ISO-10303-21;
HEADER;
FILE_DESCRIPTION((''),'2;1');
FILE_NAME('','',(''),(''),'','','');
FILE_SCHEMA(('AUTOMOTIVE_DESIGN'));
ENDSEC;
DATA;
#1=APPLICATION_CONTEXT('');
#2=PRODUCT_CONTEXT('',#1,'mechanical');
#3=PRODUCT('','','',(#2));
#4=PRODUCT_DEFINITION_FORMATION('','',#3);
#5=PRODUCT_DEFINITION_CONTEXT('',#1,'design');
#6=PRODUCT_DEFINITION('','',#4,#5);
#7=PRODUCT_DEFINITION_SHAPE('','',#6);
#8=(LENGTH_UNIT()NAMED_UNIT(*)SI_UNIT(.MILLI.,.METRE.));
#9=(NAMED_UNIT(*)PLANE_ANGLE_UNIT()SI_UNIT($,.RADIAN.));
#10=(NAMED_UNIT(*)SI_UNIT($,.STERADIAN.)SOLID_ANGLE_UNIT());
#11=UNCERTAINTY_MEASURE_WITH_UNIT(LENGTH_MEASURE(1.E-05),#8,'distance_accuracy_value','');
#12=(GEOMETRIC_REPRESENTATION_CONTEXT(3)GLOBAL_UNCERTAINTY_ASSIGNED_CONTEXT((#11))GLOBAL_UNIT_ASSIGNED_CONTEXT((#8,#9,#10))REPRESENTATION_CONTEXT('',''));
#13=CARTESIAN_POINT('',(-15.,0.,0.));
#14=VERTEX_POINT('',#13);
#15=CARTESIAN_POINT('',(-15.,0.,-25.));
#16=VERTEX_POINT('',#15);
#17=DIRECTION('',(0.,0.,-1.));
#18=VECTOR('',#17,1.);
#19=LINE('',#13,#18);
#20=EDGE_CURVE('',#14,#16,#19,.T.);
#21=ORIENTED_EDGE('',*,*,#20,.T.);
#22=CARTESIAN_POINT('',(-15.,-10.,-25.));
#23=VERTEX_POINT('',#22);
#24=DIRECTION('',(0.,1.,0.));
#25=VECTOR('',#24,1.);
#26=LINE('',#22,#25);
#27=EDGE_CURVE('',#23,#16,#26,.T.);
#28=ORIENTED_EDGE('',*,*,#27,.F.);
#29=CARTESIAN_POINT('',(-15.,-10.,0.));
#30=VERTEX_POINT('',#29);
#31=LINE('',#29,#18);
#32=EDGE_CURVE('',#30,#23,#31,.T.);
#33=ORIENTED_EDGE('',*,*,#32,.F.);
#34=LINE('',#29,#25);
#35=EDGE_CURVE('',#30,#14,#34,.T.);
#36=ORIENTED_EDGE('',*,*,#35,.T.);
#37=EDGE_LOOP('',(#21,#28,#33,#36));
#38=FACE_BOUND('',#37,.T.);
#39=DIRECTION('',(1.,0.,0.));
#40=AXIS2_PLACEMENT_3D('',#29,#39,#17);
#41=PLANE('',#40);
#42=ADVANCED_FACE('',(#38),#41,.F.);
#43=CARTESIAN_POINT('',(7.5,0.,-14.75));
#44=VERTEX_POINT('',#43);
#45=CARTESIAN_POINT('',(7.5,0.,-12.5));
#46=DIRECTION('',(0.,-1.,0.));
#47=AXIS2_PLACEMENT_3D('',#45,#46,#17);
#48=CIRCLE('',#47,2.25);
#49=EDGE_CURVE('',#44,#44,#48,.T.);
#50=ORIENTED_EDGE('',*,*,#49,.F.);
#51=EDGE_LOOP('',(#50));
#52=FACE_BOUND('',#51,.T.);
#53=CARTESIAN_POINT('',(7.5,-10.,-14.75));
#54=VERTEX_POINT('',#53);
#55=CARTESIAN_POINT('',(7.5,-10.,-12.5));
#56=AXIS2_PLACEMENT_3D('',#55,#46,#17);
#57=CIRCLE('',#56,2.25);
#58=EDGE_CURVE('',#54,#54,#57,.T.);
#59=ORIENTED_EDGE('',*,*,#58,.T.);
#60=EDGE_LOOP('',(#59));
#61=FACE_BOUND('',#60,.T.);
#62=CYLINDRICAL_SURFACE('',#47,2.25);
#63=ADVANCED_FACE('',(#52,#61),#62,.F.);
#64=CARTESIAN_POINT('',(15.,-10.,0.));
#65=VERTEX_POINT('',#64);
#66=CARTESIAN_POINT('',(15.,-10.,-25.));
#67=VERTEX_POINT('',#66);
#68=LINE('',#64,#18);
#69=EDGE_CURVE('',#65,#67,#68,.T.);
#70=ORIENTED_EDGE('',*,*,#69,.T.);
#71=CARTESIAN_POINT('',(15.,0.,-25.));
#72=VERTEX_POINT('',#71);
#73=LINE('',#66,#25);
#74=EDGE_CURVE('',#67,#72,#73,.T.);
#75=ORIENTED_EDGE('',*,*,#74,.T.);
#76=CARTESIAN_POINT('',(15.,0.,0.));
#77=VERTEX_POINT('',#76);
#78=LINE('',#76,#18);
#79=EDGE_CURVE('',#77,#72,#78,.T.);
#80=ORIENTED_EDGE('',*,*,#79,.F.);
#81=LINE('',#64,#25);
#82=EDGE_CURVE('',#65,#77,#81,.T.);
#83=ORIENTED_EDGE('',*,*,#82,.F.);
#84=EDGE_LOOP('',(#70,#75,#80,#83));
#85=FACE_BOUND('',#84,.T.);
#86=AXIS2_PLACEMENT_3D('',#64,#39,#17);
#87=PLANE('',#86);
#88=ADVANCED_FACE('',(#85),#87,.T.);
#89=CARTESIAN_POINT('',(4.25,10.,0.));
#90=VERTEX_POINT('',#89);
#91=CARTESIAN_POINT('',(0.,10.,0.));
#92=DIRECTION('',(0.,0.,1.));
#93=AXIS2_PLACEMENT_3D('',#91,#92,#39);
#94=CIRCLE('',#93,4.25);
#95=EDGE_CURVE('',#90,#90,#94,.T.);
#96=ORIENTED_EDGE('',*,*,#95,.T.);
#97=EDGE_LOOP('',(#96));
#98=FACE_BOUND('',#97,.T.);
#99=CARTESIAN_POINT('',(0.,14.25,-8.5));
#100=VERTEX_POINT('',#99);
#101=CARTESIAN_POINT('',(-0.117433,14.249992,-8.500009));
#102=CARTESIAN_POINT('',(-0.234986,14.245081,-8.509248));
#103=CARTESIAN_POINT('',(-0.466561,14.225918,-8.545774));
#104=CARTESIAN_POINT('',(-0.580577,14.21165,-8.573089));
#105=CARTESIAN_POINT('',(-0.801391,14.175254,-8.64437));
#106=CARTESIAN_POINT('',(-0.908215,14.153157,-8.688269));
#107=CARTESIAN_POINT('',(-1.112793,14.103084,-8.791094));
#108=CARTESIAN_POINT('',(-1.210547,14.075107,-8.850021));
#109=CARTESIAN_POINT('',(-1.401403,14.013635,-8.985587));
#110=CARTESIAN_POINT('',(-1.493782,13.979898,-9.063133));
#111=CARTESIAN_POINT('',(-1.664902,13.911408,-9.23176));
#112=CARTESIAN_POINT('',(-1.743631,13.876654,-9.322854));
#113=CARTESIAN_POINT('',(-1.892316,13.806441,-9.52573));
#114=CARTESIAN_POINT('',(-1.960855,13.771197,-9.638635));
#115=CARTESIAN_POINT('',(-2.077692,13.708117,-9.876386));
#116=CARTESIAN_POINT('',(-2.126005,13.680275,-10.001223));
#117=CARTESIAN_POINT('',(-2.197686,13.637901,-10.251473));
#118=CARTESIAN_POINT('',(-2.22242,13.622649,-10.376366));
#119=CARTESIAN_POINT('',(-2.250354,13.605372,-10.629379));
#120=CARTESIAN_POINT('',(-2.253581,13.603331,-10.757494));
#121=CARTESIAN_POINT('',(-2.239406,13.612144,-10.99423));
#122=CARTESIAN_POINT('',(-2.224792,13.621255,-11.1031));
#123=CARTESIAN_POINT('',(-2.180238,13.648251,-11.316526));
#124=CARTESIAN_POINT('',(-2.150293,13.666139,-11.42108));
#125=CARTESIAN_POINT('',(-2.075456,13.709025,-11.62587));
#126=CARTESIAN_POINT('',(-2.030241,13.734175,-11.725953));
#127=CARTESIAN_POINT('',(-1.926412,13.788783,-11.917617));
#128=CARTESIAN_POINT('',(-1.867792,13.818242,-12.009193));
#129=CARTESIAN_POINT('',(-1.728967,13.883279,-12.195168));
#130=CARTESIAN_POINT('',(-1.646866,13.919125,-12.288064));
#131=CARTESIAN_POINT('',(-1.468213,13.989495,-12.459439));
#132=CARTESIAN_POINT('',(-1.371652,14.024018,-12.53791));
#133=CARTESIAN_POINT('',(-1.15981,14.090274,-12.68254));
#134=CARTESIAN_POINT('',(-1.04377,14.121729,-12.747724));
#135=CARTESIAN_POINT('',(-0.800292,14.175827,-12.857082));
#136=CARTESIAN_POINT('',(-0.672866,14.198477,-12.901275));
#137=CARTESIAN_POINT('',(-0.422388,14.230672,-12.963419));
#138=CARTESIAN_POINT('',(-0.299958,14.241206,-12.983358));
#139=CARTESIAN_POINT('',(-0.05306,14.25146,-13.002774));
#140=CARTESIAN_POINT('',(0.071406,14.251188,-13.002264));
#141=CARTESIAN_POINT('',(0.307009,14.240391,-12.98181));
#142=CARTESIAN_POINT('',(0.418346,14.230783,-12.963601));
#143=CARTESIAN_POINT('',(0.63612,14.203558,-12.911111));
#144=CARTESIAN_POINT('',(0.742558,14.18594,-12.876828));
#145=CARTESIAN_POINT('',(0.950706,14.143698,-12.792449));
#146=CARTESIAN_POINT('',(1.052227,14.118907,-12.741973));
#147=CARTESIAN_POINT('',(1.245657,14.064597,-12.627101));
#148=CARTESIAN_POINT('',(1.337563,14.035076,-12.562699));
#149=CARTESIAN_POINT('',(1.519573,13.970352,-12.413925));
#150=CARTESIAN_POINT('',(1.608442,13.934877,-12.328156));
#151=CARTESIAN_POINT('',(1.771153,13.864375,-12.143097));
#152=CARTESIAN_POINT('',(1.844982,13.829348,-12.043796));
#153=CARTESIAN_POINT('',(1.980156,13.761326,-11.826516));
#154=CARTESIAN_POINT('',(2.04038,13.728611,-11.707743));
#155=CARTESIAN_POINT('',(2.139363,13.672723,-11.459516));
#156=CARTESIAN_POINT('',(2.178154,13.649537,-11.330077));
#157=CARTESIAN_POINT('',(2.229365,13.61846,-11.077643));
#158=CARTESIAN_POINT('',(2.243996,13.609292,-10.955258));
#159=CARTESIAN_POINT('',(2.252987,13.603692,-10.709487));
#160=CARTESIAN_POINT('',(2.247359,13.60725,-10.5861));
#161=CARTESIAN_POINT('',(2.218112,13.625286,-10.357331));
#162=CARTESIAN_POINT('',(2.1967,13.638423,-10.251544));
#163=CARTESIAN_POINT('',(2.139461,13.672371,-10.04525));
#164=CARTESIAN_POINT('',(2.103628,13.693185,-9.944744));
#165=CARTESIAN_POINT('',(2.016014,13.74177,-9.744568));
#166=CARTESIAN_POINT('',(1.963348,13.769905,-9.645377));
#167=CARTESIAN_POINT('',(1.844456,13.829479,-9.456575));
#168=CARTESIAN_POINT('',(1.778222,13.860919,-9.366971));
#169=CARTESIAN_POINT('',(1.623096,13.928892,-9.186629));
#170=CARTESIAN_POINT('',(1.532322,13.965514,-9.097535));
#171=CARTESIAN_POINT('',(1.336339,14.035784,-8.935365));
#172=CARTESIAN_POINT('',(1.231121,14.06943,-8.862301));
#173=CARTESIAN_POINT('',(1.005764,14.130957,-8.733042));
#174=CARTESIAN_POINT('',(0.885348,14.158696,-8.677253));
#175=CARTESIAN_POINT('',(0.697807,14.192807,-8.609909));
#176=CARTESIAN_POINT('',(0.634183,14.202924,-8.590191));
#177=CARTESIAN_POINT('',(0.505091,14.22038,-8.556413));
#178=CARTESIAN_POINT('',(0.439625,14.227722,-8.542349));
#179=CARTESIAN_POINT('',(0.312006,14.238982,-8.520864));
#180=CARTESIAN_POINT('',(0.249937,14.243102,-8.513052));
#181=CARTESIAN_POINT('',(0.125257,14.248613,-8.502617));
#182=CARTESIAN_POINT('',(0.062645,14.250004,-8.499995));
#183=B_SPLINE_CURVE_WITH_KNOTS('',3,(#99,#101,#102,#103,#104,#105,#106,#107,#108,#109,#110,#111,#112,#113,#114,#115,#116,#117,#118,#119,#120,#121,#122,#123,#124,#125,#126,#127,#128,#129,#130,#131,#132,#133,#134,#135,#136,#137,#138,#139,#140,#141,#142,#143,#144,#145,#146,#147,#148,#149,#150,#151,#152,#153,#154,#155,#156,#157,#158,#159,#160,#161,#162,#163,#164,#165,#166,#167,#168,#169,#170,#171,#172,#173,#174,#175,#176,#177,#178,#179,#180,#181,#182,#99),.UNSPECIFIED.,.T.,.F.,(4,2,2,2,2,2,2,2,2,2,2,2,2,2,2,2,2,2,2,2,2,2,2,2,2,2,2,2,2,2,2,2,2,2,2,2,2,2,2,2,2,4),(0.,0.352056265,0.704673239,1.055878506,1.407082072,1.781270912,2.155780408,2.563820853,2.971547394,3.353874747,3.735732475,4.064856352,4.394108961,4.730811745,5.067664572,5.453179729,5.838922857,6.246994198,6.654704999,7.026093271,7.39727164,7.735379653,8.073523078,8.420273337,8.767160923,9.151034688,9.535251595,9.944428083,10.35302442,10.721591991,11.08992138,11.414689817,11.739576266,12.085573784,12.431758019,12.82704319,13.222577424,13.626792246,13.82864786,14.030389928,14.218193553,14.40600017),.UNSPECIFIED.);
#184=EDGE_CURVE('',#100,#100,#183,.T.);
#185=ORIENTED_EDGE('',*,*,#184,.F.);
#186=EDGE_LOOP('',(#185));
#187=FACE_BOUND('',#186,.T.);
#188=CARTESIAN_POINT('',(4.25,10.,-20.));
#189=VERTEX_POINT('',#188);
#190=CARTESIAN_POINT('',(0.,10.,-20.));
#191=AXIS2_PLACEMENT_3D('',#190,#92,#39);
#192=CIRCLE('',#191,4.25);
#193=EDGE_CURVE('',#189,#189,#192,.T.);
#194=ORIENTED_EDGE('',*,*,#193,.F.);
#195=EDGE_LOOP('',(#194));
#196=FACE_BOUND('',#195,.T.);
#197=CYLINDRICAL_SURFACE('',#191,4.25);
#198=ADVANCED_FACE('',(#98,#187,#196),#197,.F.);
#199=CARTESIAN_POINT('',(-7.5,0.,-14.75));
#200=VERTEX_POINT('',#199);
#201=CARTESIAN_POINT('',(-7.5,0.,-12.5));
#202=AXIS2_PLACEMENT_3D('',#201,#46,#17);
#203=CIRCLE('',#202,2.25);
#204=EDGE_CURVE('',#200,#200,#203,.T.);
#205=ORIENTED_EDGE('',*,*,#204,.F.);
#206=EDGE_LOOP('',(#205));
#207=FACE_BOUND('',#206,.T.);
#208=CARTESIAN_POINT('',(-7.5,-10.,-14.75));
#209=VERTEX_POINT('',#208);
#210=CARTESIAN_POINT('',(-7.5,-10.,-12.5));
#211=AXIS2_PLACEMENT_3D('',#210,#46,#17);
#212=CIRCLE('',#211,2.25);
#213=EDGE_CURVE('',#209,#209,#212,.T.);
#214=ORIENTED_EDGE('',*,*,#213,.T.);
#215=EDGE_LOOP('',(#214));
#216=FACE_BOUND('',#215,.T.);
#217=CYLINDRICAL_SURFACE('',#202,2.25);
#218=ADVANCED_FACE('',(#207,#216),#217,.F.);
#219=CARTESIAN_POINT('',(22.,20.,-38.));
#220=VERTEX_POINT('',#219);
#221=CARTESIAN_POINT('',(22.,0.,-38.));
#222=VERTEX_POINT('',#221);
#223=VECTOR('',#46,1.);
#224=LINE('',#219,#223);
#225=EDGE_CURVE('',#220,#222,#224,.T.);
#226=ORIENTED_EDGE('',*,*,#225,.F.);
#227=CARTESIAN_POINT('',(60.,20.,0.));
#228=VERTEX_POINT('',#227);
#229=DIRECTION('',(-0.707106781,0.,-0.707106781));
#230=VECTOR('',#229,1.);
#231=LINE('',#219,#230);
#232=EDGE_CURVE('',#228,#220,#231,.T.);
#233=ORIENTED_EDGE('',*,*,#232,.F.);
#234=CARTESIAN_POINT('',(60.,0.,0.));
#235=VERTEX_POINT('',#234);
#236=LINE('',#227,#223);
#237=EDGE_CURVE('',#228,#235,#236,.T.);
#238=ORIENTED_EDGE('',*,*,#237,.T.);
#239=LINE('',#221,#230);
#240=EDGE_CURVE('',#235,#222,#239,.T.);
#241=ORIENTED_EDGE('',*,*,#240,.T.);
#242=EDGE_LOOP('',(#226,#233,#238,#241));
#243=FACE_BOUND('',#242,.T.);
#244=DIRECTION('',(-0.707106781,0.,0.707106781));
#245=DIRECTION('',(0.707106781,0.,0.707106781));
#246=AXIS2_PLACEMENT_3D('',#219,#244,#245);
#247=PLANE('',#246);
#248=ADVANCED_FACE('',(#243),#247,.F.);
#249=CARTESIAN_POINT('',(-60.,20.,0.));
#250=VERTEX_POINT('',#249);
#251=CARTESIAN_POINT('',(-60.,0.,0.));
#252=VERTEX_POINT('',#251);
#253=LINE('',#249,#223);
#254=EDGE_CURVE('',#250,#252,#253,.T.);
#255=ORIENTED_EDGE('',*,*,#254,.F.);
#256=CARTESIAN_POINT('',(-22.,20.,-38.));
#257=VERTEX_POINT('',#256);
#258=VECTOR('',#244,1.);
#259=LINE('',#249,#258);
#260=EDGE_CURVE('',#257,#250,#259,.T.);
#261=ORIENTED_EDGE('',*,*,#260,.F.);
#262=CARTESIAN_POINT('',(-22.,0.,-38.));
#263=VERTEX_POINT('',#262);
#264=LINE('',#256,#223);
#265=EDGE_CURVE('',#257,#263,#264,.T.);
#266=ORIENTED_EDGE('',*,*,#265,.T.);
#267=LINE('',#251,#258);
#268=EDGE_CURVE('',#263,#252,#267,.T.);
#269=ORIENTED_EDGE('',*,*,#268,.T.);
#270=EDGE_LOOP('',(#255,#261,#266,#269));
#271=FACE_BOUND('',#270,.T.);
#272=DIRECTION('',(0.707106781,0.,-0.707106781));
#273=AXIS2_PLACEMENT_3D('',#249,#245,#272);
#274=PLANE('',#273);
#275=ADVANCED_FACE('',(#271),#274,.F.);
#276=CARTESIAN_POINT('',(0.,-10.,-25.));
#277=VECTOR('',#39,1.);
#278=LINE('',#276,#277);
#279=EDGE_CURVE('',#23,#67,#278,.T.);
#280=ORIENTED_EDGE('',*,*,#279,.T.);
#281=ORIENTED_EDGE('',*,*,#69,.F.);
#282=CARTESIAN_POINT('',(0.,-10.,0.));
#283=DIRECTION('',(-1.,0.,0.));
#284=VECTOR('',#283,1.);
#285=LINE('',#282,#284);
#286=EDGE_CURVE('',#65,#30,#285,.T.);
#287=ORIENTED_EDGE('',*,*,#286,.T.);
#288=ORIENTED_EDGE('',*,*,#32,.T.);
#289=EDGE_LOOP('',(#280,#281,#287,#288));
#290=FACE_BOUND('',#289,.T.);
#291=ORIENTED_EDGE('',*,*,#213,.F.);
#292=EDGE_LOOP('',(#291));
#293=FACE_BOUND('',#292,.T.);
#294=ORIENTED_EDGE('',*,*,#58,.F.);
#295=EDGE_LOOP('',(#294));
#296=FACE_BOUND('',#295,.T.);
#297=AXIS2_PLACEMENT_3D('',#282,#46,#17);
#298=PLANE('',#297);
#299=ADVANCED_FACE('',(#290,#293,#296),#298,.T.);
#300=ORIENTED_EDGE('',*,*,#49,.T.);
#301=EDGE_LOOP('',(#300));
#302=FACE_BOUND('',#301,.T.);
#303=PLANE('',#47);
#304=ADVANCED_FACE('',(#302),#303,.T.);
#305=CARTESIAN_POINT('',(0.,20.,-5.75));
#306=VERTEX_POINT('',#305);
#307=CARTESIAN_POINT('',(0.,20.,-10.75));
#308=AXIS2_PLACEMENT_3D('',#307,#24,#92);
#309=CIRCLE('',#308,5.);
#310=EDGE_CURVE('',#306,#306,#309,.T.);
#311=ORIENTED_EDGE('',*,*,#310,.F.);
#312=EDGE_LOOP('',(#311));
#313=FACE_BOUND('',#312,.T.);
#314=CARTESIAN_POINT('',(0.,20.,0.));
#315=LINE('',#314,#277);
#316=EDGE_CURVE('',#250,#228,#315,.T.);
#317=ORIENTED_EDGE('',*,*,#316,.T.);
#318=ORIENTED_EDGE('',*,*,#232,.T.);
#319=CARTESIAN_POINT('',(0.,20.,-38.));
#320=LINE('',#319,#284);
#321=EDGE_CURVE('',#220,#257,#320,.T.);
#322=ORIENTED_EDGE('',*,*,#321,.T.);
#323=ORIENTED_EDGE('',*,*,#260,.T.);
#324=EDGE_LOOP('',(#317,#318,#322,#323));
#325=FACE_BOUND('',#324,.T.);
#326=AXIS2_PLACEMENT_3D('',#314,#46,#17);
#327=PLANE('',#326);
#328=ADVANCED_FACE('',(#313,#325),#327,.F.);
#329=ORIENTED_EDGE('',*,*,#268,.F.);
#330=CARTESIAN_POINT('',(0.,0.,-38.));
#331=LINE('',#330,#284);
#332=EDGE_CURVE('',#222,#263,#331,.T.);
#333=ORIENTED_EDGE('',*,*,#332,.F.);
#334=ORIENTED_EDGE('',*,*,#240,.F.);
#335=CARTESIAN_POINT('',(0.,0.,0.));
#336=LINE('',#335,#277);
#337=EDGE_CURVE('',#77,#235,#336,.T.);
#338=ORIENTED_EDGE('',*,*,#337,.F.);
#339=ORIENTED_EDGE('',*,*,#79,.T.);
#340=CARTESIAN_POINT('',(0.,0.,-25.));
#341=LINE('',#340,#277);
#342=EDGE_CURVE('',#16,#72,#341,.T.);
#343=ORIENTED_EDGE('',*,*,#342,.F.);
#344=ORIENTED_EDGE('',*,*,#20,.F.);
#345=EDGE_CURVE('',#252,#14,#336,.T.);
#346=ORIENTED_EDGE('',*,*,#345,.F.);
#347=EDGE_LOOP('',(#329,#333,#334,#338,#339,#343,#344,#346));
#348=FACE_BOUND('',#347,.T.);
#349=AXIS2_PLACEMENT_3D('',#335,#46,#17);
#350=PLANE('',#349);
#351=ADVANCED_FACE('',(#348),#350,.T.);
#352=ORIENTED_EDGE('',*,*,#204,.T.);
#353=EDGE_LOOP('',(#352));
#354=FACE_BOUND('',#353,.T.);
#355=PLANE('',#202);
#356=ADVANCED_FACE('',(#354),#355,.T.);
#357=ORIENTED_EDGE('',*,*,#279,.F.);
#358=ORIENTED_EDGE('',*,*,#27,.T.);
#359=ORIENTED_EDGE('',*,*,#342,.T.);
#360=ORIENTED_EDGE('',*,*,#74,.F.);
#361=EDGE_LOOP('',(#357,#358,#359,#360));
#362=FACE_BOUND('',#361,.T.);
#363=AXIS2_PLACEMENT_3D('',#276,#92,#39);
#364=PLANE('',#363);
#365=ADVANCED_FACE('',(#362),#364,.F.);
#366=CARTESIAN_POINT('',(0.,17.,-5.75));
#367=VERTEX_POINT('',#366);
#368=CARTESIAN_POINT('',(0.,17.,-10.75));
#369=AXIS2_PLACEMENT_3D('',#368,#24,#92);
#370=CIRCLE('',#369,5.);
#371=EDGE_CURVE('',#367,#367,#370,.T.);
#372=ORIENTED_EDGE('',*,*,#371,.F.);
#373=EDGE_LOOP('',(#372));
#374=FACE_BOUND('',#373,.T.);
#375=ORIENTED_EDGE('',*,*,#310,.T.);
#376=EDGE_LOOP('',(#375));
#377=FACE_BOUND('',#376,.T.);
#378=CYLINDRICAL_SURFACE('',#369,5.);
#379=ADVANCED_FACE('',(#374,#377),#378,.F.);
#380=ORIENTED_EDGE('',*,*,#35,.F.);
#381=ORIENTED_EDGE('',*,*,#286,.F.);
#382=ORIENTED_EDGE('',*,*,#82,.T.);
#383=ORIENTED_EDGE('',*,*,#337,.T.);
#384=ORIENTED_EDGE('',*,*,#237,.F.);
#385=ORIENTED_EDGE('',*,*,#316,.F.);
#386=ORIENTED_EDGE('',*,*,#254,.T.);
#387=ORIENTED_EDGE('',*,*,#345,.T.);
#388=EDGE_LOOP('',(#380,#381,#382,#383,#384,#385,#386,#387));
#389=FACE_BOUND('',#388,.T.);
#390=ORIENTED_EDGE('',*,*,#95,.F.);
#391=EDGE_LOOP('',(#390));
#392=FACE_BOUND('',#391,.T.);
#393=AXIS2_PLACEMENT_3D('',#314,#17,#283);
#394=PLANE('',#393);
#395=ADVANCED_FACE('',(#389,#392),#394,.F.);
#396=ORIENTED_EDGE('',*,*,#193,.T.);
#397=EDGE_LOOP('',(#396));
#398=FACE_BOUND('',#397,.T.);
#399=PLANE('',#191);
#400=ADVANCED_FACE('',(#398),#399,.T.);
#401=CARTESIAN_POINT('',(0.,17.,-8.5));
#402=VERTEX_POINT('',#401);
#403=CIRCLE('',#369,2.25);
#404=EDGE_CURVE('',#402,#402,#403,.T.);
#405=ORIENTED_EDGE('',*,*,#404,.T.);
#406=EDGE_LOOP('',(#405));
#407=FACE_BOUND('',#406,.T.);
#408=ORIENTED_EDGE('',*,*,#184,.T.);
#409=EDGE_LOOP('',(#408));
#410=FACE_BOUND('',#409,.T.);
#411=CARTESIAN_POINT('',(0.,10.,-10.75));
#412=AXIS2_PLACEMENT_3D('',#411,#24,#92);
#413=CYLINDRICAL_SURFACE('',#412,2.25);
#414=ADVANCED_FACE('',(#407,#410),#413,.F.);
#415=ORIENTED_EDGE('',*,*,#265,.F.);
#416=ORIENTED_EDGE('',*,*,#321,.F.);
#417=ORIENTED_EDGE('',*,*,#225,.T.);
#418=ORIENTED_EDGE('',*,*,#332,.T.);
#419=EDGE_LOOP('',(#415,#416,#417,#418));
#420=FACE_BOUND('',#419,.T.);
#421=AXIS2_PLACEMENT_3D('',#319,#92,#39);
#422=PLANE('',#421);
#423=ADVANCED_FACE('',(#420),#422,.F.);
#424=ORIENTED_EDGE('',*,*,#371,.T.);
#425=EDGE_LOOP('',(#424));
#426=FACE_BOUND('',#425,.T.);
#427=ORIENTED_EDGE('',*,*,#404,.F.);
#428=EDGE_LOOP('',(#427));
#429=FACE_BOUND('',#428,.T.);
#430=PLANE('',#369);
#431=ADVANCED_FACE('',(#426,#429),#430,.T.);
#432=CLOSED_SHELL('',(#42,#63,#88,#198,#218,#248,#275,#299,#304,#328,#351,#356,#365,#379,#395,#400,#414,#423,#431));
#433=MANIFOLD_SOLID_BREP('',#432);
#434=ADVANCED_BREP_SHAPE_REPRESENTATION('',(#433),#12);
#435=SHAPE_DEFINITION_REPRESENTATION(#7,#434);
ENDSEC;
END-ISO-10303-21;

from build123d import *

# Parameters (mm, degrees)
BOSS_EXTRUDE1_DEPTH = 20
SKETCH2_R           = 5
CUT_EXTRUDE1_DEPTH  = 3
SKETCH3_R           = 2.25
CUT_EXTRUDE2_DEPTH  = 10
SKETCH4_R           = 4.25
CUT_EXTRUDE3_DEPTH  = 20
SKETCH5_W           = 30
SKETCH5_H           = 25
BOSS_EXTRUDE2_DEPTH = 10
SKETCH6_R           = 2.25
CUT_EXTRUDE7_DEPTH  = 10


with BuildPart() as part:
    # Sketch1 → Boss-Extrude1 (new body)
    with BuildSketch(Plane(origin=(0, 0, 0), x_dir=(1, 0, 0), z_dir=(0, 1, 0))):
        Polygon((0, 0), (60, 0), (22, 38), (0, 38), (-22, 38), (-60, 0), align=None)
    extrude(amount=BOSS_EXTRUDE1_DEPTH)

    # Sketch2 → Cut-Extrude1 (cut)
    with BuildSketch(Plane(origin=(0, 20, 0), x_dir=(1, 0, 0), z_dir=(0, 1, 0))):
        with Locations(Location((0, 10.75, 0), (0, 0, 270))):
            Circle(SKETCH2_R)
    extrude(amount=-CUT_EXTRUDE1_DEPTH, mode=Mode.SUBTRACT)

    # Sketch3 → Cut-Extrude2 (cut)
    with BuildSketch(Plane(origin=(0, 20, 0), x_dir=(1, 0, 0), z_dir=(0, 1, 0))):
        with Locations(Location((0, 10.75, 0), (0, 0, 270))):
            Circle(SKETCH3_R)
    extrude(amount=-CUT_EXTRUDE2_DEPTH, mode=Mode.SUBTRACT)

    # Sketch4 → Cut-Extrude3 (cut)
    with BuildSketch(Plane.XY):
        with Locations((0, 10)):
            Circle(SKETCH4_R)
    extrude(amount=-CUT_EXTRUDE3_DEPTH, mode=Mode.SUBTRACT)

    # Sketch5 → Boss-Extrude2 (add)
    with BuildSketch(Plane.XZ):
        with Locations((0, -12.5)):
            Rectangle(SKETCH5_W, SKETCH5_H)
    extrude(amount=BOSS_EXTRUDE2_DEPTH)

    # Sketch6 → Cut-Extrude7 (cut)
    with BuildSketch(Plane.XZ.offset(10)):
        with Locations(Location((-7.5, -12.5, 0), (0, 0, 270))):
            Circle(SKETCH6_R)
        with Locations(Location((7.5, -12.5, 0), (0, 0, 270))):
            Circle(SKETCH6_R)
    extrude(amount=-CUT_EXTRUDE7_DEPTH, mode=Mode.SUBTRACT)


solid = part.part
